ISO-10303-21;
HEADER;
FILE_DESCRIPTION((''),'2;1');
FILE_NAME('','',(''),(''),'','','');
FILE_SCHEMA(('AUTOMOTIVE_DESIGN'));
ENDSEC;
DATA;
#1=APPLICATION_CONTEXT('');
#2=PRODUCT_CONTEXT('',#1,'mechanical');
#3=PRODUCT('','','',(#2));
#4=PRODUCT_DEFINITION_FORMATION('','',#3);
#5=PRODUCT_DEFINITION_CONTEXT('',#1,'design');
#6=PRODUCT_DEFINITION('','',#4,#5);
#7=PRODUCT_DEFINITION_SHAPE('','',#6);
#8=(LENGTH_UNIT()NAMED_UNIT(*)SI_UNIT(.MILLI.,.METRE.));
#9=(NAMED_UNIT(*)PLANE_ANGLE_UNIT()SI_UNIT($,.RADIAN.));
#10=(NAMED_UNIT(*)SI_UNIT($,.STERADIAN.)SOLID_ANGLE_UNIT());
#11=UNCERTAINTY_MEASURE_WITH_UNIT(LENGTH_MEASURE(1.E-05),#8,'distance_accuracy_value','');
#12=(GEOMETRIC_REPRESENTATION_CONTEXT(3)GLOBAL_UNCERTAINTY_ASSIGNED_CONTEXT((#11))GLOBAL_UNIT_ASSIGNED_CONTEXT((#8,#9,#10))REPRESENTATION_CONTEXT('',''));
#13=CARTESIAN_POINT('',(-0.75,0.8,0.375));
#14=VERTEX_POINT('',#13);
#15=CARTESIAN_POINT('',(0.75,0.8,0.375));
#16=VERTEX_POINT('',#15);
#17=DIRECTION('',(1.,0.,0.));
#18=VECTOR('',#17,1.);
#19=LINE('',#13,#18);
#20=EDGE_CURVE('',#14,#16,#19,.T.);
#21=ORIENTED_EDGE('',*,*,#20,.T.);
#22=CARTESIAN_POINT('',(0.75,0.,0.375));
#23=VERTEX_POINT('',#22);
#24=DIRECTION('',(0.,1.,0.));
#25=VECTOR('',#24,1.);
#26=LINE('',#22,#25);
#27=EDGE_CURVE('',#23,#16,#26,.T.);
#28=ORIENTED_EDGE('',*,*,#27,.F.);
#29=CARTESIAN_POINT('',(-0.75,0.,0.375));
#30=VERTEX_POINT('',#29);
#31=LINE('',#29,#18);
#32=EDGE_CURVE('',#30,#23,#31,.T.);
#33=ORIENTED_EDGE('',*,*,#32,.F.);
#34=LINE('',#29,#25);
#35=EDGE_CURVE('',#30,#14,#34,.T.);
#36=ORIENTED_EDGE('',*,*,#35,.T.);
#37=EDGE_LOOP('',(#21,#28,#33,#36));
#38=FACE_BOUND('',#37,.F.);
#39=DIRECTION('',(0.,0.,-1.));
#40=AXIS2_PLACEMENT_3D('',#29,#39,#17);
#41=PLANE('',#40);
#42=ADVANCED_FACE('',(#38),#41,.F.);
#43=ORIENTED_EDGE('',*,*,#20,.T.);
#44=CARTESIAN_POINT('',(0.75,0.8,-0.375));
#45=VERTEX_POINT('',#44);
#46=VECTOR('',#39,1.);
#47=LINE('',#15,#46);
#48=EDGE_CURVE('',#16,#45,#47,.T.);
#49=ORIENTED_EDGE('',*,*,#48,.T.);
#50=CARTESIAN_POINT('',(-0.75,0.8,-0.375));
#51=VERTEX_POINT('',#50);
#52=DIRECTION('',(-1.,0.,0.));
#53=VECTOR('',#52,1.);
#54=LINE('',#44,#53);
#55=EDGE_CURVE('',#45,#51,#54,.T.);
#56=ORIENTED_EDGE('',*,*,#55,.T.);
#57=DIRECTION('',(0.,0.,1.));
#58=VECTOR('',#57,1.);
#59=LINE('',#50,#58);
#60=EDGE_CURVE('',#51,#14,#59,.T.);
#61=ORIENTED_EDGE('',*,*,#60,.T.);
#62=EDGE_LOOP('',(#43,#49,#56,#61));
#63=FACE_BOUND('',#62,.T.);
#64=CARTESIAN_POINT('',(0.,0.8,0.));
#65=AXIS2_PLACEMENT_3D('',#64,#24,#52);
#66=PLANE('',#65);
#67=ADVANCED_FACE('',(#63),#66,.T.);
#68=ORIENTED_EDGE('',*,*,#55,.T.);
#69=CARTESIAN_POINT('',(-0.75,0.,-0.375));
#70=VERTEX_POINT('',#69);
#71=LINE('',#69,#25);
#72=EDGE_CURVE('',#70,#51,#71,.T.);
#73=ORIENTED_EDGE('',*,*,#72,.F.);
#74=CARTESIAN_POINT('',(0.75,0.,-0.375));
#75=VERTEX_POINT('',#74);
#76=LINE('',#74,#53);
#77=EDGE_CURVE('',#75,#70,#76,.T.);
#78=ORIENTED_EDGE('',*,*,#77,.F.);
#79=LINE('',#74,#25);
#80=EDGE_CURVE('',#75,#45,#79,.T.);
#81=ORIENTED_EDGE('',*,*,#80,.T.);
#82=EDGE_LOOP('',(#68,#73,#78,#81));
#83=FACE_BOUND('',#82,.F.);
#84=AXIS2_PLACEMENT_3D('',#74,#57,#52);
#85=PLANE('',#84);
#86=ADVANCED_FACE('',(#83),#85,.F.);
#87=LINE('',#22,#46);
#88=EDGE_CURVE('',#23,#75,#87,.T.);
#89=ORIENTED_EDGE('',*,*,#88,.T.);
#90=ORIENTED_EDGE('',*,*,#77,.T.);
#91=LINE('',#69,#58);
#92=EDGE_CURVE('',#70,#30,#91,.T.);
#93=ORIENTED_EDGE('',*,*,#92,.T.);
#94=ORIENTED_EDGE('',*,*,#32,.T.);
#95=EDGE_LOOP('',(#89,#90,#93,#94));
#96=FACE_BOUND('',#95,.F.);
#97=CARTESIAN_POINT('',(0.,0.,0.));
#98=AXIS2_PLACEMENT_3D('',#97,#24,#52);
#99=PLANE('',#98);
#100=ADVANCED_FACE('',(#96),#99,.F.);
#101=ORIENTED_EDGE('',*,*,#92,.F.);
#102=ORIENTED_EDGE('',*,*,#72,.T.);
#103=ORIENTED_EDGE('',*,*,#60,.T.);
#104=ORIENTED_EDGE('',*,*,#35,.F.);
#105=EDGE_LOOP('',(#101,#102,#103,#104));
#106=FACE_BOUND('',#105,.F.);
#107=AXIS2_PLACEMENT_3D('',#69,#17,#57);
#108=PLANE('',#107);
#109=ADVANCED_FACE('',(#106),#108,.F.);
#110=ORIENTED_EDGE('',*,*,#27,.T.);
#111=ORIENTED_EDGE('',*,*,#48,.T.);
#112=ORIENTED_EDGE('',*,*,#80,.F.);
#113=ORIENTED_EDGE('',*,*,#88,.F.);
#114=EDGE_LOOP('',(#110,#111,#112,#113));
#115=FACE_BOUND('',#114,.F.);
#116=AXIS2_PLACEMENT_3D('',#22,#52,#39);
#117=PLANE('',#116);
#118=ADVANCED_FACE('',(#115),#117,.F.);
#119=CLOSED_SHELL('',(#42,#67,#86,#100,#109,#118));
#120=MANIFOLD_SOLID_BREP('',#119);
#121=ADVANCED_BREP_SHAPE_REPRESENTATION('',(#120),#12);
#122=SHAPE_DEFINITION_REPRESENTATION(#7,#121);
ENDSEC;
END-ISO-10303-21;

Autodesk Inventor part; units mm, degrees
ref_plane "YZ Plane" through (0, 0, 0) normal (1, 0, 0) x (0, 1, 0)
ref_plane "XZ Plane" through (0, 0, 0) normal (0, 1, 0) x (-1, 0, 0)
ref_plane "XY Plane" through (0, 0, 0) normal (0, 0, 1) x (1, 0, 0)
sketch "Sketch1" plane through (0, 0, 0) normal (0, 1, 0) x (-1, 0, 0)
  line L0 (0.75, 0.375) -> (-0.75, 0.375)
  line L1 (-0.75, 0.375) -> (-0.75, -0.375)
  line L2 (-0.75, -0.375) -> (0.75, -0.375)
  line L3 (0.75, -0.375) -> (0.75, 0.375)
  point P0 (0, 0)
  dimension "d0" = 1.5
  dimension "d1" = 0.75
  dimension "d2" = 0.75
  dimension "d3" = 0.375
extrude "Extrusion1" add sketch "Sketch1" along normal blind 0.8
equation "\"d2\" = 0.5 * d0"
equation "\"d3\" = 0.5 * d1"
properties part number "Resitors" material "Nickel-Copper Alloy 400"
